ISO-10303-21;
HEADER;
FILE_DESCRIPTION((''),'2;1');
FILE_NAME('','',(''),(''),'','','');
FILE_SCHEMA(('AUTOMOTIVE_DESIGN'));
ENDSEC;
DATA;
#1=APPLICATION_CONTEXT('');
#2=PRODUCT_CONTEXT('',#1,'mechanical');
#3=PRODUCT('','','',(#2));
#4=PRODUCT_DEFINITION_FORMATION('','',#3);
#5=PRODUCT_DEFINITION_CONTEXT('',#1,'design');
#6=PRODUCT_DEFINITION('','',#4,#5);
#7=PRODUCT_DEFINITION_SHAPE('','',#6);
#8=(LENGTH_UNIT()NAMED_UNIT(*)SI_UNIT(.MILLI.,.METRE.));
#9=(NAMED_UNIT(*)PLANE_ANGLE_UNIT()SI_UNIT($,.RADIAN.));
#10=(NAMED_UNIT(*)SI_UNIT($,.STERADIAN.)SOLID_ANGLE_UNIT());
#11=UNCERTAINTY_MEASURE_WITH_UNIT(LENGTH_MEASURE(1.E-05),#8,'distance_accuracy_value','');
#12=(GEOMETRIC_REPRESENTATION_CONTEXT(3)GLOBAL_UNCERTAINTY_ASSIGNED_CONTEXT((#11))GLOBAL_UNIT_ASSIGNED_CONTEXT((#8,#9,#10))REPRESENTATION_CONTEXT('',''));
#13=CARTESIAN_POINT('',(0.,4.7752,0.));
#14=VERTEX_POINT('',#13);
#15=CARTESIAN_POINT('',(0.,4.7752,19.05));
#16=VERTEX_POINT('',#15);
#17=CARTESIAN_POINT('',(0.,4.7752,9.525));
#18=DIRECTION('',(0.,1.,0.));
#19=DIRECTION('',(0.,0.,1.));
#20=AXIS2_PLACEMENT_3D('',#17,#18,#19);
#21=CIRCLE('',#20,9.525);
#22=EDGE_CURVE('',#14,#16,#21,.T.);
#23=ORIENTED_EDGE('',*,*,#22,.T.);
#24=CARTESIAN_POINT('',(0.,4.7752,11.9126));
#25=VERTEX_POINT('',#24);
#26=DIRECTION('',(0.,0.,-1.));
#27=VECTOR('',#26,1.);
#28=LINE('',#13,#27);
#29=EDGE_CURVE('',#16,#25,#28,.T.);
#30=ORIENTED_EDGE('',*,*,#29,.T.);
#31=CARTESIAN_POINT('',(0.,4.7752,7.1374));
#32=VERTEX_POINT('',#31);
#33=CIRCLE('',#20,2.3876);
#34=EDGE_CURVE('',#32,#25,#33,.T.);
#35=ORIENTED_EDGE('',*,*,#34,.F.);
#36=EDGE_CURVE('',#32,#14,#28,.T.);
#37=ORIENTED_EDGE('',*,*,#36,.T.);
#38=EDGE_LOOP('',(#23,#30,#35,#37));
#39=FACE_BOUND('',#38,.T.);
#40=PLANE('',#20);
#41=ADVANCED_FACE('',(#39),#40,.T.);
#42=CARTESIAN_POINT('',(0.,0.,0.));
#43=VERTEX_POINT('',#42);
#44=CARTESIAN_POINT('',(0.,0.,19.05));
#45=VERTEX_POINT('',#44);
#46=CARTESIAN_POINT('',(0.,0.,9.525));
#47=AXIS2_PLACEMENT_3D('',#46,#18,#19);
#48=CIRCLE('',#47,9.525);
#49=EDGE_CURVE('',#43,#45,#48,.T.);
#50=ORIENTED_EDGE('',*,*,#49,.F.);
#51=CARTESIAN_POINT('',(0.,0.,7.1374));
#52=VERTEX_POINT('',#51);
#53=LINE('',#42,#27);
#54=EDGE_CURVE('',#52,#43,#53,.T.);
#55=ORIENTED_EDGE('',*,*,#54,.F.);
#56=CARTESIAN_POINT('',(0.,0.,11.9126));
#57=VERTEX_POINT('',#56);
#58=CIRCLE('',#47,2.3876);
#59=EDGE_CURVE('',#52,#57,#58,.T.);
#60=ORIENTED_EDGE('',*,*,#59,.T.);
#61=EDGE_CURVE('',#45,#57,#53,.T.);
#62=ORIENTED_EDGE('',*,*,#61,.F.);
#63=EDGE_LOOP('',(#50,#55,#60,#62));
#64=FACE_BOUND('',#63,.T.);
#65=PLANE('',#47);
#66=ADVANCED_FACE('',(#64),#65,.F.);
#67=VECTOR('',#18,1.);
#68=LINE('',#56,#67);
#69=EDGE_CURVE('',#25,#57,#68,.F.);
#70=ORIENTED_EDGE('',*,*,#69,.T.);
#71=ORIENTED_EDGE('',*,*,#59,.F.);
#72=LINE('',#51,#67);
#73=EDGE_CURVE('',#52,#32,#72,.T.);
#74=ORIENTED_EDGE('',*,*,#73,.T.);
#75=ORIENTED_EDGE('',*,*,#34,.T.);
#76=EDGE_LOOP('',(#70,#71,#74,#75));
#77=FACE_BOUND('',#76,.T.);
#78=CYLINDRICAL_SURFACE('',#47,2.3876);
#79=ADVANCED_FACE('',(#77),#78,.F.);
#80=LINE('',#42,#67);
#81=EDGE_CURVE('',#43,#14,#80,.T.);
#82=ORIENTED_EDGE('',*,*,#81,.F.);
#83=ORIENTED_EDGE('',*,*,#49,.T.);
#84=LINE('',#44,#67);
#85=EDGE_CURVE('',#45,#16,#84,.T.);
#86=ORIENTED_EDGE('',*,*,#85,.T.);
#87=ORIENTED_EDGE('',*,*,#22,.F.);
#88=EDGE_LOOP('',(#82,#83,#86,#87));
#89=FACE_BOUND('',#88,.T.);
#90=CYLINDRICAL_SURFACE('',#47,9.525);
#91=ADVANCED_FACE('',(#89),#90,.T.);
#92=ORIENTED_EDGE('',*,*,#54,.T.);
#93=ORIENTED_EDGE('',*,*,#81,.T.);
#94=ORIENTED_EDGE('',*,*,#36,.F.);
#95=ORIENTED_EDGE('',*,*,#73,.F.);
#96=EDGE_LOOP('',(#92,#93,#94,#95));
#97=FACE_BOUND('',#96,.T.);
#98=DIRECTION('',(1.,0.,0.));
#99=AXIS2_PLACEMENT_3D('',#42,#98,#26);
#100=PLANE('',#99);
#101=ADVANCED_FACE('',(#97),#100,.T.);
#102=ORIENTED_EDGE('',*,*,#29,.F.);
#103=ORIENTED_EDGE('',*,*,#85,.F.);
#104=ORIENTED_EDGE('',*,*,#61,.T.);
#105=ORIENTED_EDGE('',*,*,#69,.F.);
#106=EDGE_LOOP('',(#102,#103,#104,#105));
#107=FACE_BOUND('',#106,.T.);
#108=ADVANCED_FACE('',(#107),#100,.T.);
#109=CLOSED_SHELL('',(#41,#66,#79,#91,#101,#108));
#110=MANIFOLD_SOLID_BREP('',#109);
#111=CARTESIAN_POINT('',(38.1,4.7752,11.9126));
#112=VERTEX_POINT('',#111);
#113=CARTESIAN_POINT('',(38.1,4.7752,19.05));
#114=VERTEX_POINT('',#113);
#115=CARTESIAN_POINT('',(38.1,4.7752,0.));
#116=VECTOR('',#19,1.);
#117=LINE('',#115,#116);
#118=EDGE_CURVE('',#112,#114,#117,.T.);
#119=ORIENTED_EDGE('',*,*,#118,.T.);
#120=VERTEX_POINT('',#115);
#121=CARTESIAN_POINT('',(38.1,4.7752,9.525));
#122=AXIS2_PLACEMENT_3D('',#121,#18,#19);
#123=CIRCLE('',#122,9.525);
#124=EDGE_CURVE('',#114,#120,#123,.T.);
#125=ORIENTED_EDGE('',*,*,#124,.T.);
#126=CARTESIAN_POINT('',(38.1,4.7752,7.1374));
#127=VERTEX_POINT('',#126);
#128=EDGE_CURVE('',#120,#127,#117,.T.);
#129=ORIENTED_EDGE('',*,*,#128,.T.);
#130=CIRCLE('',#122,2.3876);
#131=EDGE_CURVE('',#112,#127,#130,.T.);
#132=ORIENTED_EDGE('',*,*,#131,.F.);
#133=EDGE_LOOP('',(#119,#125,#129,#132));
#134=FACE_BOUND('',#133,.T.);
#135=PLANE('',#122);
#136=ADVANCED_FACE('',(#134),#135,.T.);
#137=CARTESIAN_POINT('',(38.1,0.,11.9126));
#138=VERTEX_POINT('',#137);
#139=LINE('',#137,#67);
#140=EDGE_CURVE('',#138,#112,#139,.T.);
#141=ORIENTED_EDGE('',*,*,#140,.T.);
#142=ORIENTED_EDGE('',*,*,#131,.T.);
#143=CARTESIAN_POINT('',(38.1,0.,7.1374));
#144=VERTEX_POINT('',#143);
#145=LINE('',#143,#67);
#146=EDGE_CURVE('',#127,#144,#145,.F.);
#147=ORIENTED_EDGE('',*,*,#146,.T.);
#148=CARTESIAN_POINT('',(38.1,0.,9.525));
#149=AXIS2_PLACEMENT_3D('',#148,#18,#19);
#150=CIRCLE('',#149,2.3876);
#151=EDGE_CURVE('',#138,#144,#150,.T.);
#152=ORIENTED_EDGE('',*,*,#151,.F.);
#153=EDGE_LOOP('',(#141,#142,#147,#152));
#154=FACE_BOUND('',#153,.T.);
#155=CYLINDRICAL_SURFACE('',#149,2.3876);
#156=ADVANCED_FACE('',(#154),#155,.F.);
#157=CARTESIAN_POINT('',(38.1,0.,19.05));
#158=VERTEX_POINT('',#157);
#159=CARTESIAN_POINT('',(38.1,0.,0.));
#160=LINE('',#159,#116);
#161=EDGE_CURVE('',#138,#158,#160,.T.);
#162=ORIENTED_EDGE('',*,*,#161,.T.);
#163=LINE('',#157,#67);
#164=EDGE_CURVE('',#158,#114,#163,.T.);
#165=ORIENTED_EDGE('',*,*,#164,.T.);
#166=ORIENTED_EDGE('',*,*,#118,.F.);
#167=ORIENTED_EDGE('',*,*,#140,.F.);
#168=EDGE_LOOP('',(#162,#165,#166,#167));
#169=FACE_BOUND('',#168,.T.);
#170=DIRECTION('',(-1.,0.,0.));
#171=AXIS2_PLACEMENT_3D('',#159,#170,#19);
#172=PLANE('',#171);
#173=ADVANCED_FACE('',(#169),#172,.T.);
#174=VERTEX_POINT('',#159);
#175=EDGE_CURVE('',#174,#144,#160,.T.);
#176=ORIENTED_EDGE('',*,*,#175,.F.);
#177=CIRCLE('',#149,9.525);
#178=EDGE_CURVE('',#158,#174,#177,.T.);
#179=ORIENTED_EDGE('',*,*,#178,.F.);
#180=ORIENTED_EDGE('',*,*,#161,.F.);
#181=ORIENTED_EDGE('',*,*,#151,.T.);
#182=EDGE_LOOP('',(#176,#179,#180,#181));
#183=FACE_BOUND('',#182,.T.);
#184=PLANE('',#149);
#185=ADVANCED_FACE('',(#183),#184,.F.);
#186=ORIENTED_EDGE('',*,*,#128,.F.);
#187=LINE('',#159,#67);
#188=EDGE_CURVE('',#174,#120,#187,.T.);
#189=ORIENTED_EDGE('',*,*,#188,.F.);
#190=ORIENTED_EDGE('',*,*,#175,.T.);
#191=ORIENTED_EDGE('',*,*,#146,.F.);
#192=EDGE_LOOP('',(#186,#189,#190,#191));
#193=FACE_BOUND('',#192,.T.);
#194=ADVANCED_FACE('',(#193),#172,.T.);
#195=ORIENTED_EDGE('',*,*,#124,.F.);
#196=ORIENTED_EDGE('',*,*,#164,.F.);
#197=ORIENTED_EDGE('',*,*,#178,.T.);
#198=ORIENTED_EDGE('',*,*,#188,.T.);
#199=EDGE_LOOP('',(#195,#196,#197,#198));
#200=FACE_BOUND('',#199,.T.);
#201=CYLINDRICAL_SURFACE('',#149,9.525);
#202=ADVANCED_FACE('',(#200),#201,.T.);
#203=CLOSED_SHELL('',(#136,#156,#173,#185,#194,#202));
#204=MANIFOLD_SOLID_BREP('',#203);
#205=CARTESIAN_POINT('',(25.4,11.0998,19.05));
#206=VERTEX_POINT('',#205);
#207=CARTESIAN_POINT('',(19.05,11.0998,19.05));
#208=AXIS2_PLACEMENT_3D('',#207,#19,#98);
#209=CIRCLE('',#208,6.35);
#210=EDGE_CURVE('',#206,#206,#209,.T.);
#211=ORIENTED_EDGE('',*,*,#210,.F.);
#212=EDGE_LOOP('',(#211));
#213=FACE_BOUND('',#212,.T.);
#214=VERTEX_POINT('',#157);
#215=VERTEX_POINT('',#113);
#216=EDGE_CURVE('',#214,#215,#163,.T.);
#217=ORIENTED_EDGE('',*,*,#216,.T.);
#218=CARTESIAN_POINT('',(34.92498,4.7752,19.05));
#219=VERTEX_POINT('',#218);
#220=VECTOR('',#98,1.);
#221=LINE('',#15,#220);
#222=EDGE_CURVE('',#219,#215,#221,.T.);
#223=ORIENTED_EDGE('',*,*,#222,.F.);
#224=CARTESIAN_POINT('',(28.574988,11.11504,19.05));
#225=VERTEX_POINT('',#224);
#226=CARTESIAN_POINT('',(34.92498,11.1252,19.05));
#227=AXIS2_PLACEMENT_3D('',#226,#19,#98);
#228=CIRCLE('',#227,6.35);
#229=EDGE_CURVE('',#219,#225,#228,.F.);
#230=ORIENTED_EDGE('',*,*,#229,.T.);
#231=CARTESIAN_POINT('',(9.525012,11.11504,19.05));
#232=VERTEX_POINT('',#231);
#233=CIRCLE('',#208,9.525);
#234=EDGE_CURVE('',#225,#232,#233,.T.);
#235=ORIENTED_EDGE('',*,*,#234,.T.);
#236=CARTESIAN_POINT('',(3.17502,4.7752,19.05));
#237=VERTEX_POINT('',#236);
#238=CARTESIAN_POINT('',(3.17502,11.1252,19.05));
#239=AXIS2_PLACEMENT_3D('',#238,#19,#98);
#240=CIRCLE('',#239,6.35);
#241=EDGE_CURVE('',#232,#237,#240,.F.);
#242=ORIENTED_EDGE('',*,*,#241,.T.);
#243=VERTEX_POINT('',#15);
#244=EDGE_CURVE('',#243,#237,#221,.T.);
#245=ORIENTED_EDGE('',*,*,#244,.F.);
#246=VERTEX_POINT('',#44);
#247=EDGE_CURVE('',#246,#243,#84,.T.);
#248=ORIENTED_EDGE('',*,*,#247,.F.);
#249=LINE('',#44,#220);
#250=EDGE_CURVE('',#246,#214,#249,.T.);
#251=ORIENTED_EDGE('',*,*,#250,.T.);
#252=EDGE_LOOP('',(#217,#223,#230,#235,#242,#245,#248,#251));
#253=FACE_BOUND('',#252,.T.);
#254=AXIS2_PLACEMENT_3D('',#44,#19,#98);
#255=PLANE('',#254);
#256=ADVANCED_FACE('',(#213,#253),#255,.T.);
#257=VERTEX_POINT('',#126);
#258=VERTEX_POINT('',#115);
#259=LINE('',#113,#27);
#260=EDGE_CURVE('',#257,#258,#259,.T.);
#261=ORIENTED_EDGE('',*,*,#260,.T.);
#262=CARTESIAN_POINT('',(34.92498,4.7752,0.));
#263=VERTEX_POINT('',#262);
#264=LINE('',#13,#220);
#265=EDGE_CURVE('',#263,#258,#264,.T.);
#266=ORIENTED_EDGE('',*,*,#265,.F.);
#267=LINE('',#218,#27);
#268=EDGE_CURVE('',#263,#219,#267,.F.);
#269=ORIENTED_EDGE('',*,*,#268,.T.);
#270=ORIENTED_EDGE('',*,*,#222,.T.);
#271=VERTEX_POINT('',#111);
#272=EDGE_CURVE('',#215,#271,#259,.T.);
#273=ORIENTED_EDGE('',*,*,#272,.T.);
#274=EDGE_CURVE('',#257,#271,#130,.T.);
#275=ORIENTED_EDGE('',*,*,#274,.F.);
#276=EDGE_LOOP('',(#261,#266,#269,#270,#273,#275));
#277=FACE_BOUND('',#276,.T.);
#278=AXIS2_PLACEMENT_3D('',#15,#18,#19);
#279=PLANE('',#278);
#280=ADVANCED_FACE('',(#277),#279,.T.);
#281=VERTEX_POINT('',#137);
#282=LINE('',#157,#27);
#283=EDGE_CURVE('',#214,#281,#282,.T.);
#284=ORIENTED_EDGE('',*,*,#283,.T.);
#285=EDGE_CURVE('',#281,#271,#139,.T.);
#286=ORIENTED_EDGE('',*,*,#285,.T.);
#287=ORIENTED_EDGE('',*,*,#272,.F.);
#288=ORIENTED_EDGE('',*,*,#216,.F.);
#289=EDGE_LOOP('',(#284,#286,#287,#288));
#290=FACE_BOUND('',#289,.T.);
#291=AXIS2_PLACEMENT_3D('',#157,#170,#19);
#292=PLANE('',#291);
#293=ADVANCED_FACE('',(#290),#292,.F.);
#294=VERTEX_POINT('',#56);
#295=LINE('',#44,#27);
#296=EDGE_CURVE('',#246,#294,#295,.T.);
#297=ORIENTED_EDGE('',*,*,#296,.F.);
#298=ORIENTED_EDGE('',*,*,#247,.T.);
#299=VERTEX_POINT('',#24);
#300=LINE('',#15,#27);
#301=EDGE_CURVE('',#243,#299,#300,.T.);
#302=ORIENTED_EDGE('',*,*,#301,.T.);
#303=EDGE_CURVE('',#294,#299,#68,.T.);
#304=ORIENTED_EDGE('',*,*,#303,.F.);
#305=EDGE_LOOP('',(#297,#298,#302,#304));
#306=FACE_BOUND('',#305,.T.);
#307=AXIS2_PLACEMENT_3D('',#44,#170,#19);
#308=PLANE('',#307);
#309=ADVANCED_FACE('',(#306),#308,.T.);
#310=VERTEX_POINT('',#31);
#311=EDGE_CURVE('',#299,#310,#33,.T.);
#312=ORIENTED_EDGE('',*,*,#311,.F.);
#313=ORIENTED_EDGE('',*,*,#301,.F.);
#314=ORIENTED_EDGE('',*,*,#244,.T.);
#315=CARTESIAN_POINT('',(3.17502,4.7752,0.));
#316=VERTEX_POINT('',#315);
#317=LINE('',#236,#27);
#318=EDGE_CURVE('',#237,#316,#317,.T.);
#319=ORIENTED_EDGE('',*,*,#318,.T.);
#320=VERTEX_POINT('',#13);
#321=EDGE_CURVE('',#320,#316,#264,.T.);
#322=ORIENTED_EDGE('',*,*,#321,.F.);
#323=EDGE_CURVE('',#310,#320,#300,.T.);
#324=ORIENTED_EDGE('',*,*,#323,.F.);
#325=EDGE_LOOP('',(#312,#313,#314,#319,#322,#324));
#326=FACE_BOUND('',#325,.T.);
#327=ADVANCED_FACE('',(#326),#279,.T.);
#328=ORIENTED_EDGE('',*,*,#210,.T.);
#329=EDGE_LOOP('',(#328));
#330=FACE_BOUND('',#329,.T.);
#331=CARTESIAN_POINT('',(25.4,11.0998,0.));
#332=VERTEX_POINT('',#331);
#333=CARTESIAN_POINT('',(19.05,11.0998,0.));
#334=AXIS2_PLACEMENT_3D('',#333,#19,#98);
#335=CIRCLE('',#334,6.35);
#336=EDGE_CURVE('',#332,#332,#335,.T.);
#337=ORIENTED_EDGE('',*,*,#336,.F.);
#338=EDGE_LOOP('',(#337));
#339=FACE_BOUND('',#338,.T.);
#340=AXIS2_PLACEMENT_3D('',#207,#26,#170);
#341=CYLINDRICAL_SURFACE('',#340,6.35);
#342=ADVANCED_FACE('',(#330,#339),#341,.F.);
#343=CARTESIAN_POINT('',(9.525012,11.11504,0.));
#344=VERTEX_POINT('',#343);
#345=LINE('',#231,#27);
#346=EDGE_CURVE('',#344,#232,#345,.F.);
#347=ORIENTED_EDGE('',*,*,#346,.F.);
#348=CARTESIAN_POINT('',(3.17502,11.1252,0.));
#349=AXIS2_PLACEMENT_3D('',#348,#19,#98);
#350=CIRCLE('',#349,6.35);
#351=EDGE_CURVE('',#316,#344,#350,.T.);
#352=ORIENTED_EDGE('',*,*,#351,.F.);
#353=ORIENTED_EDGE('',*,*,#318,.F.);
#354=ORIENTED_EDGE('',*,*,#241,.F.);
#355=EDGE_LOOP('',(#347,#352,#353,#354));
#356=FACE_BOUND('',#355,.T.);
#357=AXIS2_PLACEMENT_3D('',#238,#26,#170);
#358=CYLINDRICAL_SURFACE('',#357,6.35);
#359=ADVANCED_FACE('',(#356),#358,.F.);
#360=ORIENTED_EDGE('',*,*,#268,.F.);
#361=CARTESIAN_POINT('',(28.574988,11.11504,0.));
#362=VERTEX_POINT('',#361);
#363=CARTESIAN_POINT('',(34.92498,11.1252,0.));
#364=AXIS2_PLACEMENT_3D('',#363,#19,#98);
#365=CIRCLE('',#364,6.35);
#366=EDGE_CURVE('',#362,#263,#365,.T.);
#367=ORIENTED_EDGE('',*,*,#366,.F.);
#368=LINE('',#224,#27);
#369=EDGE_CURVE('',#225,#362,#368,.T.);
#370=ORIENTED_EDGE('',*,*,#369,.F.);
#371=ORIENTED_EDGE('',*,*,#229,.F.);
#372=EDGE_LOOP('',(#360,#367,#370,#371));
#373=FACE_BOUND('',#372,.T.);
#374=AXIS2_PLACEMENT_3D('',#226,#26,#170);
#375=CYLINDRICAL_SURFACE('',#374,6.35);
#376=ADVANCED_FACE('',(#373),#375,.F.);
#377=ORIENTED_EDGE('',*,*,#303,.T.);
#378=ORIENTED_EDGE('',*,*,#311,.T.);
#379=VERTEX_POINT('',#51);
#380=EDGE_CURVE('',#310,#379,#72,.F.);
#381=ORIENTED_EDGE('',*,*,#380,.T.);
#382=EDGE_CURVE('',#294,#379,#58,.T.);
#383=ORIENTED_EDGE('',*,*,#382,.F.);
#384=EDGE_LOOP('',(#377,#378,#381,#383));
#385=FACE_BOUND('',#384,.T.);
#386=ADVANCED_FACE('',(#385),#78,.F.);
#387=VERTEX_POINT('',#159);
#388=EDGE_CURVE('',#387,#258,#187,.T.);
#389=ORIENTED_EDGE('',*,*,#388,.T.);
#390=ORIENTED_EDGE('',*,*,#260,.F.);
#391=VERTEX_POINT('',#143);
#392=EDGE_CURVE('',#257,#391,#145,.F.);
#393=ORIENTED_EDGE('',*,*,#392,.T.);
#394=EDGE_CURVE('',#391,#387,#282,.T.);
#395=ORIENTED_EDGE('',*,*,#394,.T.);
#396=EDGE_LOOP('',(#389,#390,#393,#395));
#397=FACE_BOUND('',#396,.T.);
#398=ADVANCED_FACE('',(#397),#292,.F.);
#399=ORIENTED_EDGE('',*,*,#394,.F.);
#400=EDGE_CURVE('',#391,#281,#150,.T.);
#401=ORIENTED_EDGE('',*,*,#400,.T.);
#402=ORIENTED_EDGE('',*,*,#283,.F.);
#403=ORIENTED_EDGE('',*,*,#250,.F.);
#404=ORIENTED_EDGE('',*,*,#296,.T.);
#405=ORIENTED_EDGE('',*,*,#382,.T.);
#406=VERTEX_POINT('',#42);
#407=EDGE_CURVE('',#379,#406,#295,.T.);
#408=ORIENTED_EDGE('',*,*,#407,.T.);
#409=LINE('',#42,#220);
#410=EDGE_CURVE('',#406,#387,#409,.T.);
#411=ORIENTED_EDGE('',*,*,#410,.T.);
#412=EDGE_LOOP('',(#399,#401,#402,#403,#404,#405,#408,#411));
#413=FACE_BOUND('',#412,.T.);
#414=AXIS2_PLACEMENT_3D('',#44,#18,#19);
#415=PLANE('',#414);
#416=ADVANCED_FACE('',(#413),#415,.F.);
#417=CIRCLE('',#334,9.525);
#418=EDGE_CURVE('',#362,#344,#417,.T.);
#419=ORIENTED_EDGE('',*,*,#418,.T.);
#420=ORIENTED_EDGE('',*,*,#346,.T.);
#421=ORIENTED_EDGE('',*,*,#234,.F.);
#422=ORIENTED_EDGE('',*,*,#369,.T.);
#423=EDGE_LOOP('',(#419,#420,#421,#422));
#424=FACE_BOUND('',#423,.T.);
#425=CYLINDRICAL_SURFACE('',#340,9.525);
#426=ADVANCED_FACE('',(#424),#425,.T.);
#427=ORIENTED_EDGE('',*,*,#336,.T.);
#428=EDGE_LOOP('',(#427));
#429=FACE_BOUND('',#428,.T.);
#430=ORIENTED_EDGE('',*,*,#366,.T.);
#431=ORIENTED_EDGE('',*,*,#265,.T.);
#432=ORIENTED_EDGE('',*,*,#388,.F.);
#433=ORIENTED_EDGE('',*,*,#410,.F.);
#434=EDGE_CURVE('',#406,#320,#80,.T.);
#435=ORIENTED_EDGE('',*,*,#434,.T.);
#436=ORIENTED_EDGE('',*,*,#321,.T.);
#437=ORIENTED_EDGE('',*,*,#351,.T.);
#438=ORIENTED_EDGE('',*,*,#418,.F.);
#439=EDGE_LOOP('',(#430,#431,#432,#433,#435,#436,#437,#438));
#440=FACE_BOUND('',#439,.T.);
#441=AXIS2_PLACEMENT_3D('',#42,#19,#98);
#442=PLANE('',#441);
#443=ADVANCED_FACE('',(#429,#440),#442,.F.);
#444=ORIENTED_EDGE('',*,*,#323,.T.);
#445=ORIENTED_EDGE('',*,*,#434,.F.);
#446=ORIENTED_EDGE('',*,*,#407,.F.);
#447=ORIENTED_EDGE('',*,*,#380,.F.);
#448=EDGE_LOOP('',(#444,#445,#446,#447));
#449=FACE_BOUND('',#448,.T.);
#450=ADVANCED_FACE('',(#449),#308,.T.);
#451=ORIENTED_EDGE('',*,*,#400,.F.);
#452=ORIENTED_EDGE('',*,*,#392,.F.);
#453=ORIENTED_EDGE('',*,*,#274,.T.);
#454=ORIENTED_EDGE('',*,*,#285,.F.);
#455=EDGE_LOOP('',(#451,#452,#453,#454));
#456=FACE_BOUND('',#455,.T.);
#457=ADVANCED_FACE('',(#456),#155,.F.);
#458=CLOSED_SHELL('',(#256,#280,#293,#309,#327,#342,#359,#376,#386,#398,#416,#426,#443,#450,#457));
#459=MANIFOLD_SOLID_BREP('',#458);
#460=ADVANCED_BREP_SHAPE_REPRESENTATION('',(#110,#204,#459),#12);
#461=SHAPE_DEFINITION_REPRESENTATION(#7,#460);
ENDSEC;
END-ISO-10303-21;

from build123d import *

# Parameters (mm, degrees)
BOSS_EXTRUDE1_DEPTH   = 19.05
SKETCH1_3_R           = 6.35
CUT_EXTRUDE1_DEPTH    = 22.5044
BOSS_EXTRUDE2_DEPTH   = 4.7752
BOSS_EXTRUDE2_2_DEPTH = 4.7752
SKETCH3_R             = 2.3876
CUT_EXTRUDE2_DEPTH    = 54.686617934
FILLET1_R             = 6.35
FILLET2_R             = 6.35


with BuildPart() as part:
    # Sketch1 → Boss-Extrude1 (new body)
    with BuildSketch(Plane.XY):
        with BuildLine():
            Line((28.575, 4.7752), (28.575, 11.0998))
            ThreePointArc((28.575, 11.0998), (19.05, 20.6248), (9.525, 11.0998))
            Line((9.525, 11.0998), (9.525, 4.7752))
            Line((9.525, 4.7752), (0, 4.7752))
            Line((0, 4.7752), (0, 0))
            Line((0, 0), (38.1, 0))
            Line((38.1, 0), (38.1, 4.7752))
            Line((38.1, 4.7752), (28.575, 4.7752))
        make_face()
        with BuildLine():
            ThreePointArc((19.617393021, 4.7752), (19.05, 4.7498), (18.482606979, 4.7752))
            Line((18.482606979, 4.7752), (19.617393021, 4.7752))
        make_face(mode=Mode.SUBTRACT)
    extrude(amount=BOSS_EXTRUDE1_DEPTH)

    # Sketch1<3> → Cut-Extrude1 (cut)
    with BuildSketch(Plane.XY):
        with Locations((19.05, 11.0998)):
            Circle(SKETCH1_3_R)
    extrude(amount=CUT_EXTRUDE1_DEPTH, mode=Mode.SUBTRACT)


with BuildPart() as body_2:
    # Sketch2 → Boss-Extrude2 (new body)
    with BuildSketch(Plane(origin=(0, 4.7752, 0), x_dir=(1, 0, 0), z_dir=(0, 1, 0))):
        with BuildLine():
            Line((38.1, 0), (38.1, -19.05))
            ThreePointArc((38.1, -19.05), (47.625, -9.525), (38.1, 0))
        make_face()
    extrude(amount=-BOSS_EXTRUDE2_DEPTH)


with BuildPart() as body_3:
    # Sketch2 → Boss-Extrude2 2 (new body)
    with BuildSketch(Plane(origin=(0, 4.7752, 0), x_dir=(1, 0, 0), z_dir=(0, 1, 0))):
        with BuildLine():
            Line((0, 0), (0, -19.05))
            ThreePointArc((0, -19.05), (-9.525, -9.525), (0, 0))
        make_face()
    extrude(amount=-BOSS_EXTRUDE2_2_DEPTH)


with BuildPart() as cut_extrude2_tool:
    # Sketch3 → Cut-Extrude2 (new, through all)
    with BuildSketch(Plane(origin=(0, 4.7752, 0), x_dir=(1, 0, 0), z_dir=(0, 1, 0))):
        with Locations((38.1, -9.525)):
            Circle(SKETCH3_R)
        with Locations((0, -9.525)):
            Circle(SKETCH3_R)
    extrude(amount=-CUT_EXTRUDE2_DEPTH)


with BuildPart() as part_1:
    add(part.part)

    # Cut-Extrude2: cut by cut_extrude2_tool
    add(cut_extrude2_tool.part, mode=Mode.SUBTRACT)

    # Fillet1
    fillet1_edges = [part_1.edges().sort_by_distance(p)[0] for p in [
        (28.575, 4.7752, 9.525),
    ]]
    fillet(fillet1_edges, radius=FILLET1_R)

    # Fillet2
    fillet2_edges = [part_1.edges().sort_by_distance(p)[0] for p in [
        (9.525, 4.7752, 9.525),
    ]]
    fillet(fillet2_edges, radius=FILLET2_R)


with BuildPart() as body_2_1:
    add(body_2.part)

    # Cut-Extrude2: cut by cut_extrude2_tool
    add(cut_extrude2_tool.part, mode=Mode.SUBTRACT)


with BuildPart() as body_3_1:
    add(body_3.part)

    # Cut-Extrude2: cut by cut_extrude2_tool
    add(cut_extrude2_tool.part, mode=Mode.SUBTRACT)


solid = Compound([part_1.part, body_2_1.part, body_3_1.part])
